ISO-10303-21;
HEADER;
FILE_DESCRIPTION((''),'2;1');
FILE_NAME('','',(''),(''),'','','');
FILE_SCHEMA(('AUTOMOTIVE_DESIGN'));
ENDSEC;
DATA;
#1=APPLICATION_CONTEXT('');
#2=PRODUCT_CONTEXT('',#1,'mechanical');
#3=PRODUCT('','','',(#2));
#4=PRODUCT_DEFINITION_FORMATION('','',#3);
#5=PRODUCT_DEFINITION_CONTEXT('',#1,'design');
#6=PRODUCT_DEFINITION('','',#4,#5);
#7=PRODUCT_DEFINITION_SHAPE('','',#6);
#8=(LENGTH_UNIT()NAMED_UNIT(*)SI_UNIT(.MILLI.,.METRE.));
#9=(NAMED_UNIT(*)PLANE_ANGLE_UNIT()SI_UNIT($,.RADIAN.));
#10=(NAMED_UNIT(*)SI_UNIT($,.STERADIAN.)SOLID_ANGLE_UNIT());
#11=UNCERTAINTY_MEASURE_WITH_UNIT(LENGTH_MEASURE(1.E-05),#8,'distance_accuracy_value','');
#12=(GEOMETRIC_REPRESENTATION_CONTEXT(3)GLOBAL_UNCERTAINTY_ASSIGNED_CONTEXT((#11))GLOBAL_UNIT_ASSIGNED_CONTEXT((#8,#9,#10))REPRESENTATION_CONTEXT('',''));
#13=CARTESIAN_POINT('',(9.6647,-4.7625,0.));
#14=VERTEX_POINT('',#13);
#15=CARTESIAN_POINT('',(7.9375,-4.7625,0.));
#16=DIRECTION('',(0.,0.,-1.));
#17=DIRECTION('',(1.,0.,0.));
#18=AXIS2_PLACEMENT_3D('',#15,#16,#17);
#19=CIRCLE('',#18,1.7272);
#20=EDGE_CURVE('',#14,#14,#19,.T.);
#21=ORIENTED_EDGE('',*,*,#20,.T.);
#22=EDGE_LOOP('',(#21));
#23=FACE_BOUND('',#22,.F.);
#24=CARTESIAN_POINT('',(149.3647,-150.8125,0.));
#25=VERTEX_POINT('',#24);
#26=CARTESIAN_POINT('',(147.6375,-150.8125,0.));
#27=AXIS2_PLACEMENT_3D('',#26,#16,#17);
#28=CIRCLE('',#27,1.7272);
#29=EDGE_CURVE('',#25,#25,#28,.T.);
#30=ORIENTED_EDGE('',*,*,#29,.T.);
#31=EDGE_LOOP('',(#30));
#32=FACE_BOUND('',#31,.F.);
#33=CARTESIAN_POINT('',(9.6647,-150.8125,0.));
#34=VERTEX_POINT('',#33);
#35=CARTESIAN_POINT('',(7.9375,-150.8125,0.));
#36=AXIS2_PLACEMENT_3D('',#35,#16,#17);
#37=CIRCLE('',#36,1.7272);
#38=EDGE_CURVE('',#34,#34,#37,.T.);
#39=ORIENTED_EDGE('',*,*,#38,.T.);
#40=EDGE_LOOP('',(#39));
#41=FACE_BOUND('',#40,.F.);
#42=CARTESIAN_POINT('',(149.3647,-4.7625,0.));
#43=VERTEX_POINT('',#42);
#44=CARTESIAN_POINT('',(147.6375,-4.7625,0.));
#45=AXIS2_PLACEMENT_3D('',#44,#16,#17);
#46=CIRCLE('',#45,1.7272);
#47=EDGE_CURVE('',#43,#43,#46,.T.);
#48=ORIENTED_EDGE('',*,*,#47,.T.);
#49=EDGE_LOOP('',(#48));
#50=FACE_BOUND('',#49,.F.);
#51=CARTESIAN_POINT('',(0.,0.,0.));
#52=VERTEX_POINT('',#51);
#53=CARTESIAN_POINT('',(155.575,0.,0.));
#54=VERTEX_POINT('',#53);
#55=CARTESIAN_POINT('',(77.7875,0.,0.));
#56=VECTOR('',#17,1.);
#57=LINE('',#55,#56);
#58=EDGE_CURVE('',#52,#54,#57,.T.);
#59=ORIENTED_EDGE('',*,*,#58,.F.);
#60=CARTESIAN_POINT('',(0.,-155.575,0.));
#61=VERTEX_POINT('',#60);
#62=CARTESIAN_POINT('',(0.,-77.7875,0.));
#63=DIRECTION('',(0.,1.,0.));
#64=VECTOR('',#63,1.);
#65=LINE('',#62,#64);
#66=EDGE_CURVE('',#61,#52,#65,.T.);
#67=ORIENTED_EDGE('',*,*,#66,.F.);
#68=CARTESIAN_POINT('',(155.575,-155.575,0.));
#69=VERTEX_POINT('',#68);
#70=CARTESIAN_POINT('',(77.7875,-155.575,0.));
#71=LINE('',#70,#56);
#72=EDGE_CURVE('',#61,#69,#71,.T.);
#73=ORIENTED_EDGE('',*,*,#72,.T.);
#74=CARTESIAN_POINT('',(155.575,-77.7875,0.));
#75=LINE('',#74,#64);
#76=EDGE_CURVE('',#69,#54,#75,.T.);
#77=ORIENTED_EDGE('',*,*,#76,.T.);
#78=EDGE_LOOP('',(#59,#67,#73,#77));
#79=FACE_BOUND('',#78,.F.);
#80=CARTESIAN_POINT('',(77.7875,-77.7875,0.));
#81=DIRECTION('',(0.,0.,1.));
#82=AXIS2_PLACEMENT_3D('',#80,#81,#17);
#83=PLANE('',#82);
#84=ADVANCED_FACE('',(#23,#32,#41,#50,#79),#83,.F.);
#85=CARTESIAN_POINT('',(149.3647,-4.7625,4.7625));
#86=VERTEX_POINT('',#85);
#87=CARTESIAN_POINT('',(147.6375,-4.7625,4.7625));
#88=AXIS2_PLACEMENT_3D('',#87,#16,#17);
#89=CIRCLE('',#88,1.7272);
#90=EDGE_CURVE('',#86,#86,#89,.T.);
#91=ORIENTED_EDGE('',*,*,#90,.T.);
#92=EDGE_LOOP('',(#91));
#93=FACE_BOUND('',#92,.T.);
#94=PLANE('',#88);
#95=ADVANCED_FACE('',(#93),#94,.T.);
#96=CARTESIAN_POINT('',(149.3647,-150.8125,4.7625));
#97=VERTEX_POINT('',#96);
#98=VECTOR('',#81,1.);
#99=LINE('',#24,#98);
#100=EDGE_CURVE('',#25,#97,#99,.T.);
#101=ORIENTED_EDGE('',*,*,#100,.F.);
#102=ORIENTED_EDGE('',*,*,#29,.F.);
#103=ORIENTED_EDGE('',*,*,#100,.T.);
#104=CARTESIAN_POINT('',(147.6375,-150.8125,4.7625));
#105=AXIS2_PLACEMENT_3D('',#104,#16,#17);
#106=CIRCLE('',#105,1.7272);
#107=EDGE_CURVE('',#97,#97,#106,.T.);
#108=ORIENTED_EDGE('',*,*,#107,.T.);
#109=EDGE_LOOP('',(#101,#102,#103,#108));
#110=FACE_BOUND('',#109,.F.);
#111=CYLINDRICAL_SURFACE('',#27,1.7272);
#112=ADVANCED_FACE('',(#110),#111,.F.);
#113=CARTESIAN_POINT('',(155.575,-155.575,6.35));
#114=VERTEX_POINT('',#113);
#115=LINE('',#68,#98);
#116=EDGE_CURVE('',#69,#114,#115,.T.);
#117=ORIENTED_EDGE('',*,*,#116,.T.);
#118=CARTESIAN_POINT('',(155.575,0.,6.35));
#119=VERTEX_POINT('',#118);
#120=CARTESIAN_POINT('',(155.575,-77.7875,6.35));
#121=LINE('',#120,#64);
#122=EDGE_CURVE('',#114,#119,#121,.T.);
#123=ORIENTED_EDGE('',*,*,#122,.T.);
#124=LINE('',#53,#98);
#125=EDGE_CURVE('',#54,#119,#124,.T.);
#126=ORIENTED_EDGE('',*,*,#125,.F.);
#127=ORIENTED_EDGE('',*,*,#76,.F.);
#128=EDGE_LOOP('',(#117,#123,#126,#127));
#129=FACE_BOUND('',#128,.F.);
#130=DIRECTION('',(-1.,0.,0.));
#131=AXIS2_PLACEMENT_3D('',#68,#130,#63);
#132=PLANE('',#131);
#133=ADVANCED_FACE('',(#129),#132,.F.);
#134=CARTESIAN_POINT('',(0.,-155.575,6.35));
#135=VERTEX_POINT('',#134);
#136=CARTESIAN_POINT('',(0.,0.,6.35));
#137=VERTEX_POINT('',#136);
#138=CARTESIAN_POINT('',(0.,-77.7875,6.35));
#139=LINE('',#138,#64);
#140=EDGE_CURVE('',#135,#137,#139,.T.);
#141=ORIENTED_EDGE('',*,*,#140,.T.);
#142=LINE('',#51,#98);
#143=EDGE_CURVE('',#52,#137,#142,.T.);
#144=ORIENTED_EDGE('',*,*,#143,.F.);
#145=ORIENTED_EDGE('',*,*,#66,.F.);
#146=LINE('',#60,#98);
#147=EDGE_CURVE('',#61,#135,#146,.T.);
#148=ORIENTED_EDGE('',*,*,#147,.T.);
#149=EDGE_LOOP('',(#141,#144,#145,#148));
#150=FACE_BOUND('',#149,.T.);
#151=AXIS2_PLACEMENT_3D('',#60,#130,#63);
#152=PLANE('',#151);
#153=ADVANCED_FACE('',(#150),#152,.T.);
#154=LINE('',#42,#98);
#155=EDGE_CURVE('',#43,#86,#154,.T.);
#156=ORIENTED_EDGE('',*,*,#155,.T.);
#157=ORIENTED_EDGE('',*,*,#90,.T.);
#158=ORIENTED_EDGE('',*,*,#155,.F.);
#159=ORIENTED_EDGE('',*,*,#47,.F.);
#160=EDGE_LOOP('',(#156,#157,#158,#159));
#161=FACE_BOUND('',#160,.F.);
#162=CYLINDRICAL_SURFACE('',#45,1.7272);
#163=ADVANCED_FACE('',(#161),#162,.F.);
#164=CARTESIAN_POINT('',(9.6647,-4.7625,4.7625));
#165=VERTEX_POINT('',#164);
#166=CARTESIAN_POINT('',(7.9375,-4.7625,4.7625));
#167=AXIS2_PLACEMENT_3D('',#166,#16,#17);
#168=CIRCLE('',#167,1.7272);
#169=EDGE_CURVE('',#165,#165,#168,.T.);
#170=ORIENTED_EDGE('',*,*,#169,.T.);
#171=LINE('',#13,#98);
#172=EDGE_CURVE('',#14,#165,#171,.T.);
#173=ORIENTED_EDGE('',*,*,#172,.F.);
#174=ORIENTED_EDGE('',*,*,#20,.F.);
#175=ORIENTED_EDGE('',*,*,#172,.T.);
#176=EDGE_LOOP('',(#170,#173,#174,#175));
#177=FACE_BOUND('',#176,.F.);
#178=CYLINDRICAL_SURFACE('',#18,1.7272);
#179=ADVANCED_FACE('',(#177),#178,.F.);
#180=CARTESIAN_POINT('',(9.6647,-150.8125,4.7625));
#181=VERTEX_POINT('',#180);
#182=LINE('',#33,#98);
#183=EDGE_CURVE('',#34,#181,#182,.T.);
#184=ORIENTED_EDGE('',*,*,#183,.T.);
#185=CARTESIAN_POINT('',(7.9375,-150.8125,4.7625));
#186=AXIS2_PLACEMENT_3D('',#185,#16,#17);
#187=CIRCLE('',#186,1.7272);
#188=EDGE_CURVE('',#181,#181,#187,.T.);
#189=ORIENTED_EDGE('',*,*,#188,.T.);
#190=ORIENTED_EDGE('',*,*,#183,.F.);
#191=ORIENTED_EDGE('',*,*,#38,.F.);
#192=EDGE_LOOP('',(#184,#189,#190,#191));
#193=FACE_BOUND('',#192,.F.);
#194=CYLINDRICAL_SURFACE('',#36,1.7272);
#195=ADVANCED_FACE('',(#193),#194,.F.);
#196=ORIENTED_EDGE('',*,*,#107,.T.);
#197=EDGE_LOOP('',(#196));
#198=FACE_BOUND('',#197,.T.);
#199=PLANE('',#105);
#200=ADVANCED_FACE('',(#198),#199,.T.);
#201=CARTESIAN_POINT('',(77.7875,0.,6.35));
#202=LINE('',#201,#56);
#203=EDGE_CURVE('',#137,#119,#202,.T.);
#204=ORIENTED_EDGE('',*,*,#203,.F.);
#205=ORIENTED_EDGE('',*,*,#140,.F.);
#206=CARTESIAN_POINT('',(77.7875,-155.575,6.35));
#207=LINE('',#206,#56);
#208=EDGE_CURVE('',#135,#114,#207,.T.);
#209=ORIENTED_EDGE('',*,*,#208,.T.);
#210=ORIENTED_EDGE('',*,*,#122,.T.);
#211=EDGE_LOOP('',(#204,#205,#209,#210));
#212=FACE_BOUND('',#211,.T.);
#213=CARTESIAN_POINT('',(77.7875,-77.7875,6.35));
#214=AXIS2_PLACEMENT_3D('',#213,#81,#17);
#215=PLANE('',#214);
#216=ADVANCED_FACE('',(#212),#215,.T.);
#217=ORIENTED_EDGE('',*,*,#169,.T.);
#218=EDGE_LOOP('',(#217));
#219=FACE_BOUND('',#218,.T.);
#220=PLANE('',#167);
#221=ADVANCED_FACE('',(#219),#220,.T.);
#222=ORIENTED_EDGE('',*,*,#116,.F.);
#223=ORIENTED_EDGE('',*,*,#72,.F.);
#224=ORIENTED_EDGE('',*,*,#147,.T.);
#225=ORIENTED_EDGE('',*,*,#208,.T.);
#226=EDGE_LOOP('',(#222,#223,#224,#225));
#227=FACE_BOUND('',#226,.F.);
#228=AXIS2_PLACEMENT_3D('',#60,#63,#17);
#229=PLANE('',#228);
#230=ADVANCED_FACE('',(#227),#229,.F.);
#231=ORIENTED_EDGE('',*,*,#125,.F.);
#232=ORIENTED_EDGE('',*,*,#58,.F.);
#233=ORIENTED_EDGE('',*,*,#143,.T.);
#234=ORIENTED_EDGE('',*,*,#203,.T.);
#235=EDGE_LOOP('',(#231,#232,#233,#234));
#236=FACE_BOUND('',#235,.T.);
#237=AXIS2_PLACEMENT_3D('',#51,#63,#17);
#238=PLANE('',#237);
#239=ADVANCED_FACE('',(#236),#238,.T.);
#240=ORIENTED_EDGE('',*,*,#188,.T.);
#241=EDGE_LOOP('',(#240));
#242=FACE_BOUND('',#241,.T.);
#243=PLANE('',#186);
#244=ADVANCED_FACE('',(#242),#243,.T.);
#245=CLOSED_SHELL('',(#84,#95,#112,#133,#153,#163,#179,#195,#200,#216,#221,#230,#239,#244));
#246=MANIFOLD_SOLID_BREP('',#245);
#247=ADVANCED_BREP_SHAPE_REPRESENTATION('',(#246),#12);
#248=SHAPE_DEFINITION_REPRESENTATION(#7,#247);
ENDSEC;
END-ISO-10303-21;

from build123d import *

# Parameters (mm, degrees)
F0_W     = 155.575
F0_H     = 155.575
F1_DEPTH = 6.35
F2_R     = 1.7272
F3_DEPTH = 4.7625


with BuildPart() as f1:
    # F0 (on Top) → F1 (new body)
    with BuildSketch(Plane.XY):
        with Locations((77.7875, -77.7875)):
            Rectangle(F0_W, F0_H)
    extrude(amount=F1_DEPTH)

    # F2 (on face) → F3 (cut)
    with BuildSketch(Plane(origin=(0, 0, 0), x_dir=(1, 0, 0), z_dir=(0, 0, -1))):
        with Locations((147.6375, 150.8125)):
            Circle(F2_R)
        with Locations((147.6375, 4.7625)):
            Circle(F2_R)
        with Locations((7.9375, 4.7625)):
            Circle(F2_R)
        with Locations((7.9375, 150.8125)):
            Circle(F2_R)
    extrude(amount=-F3_DEPTH, mode=Mode.SUBTRACT)


solid = f1.part
